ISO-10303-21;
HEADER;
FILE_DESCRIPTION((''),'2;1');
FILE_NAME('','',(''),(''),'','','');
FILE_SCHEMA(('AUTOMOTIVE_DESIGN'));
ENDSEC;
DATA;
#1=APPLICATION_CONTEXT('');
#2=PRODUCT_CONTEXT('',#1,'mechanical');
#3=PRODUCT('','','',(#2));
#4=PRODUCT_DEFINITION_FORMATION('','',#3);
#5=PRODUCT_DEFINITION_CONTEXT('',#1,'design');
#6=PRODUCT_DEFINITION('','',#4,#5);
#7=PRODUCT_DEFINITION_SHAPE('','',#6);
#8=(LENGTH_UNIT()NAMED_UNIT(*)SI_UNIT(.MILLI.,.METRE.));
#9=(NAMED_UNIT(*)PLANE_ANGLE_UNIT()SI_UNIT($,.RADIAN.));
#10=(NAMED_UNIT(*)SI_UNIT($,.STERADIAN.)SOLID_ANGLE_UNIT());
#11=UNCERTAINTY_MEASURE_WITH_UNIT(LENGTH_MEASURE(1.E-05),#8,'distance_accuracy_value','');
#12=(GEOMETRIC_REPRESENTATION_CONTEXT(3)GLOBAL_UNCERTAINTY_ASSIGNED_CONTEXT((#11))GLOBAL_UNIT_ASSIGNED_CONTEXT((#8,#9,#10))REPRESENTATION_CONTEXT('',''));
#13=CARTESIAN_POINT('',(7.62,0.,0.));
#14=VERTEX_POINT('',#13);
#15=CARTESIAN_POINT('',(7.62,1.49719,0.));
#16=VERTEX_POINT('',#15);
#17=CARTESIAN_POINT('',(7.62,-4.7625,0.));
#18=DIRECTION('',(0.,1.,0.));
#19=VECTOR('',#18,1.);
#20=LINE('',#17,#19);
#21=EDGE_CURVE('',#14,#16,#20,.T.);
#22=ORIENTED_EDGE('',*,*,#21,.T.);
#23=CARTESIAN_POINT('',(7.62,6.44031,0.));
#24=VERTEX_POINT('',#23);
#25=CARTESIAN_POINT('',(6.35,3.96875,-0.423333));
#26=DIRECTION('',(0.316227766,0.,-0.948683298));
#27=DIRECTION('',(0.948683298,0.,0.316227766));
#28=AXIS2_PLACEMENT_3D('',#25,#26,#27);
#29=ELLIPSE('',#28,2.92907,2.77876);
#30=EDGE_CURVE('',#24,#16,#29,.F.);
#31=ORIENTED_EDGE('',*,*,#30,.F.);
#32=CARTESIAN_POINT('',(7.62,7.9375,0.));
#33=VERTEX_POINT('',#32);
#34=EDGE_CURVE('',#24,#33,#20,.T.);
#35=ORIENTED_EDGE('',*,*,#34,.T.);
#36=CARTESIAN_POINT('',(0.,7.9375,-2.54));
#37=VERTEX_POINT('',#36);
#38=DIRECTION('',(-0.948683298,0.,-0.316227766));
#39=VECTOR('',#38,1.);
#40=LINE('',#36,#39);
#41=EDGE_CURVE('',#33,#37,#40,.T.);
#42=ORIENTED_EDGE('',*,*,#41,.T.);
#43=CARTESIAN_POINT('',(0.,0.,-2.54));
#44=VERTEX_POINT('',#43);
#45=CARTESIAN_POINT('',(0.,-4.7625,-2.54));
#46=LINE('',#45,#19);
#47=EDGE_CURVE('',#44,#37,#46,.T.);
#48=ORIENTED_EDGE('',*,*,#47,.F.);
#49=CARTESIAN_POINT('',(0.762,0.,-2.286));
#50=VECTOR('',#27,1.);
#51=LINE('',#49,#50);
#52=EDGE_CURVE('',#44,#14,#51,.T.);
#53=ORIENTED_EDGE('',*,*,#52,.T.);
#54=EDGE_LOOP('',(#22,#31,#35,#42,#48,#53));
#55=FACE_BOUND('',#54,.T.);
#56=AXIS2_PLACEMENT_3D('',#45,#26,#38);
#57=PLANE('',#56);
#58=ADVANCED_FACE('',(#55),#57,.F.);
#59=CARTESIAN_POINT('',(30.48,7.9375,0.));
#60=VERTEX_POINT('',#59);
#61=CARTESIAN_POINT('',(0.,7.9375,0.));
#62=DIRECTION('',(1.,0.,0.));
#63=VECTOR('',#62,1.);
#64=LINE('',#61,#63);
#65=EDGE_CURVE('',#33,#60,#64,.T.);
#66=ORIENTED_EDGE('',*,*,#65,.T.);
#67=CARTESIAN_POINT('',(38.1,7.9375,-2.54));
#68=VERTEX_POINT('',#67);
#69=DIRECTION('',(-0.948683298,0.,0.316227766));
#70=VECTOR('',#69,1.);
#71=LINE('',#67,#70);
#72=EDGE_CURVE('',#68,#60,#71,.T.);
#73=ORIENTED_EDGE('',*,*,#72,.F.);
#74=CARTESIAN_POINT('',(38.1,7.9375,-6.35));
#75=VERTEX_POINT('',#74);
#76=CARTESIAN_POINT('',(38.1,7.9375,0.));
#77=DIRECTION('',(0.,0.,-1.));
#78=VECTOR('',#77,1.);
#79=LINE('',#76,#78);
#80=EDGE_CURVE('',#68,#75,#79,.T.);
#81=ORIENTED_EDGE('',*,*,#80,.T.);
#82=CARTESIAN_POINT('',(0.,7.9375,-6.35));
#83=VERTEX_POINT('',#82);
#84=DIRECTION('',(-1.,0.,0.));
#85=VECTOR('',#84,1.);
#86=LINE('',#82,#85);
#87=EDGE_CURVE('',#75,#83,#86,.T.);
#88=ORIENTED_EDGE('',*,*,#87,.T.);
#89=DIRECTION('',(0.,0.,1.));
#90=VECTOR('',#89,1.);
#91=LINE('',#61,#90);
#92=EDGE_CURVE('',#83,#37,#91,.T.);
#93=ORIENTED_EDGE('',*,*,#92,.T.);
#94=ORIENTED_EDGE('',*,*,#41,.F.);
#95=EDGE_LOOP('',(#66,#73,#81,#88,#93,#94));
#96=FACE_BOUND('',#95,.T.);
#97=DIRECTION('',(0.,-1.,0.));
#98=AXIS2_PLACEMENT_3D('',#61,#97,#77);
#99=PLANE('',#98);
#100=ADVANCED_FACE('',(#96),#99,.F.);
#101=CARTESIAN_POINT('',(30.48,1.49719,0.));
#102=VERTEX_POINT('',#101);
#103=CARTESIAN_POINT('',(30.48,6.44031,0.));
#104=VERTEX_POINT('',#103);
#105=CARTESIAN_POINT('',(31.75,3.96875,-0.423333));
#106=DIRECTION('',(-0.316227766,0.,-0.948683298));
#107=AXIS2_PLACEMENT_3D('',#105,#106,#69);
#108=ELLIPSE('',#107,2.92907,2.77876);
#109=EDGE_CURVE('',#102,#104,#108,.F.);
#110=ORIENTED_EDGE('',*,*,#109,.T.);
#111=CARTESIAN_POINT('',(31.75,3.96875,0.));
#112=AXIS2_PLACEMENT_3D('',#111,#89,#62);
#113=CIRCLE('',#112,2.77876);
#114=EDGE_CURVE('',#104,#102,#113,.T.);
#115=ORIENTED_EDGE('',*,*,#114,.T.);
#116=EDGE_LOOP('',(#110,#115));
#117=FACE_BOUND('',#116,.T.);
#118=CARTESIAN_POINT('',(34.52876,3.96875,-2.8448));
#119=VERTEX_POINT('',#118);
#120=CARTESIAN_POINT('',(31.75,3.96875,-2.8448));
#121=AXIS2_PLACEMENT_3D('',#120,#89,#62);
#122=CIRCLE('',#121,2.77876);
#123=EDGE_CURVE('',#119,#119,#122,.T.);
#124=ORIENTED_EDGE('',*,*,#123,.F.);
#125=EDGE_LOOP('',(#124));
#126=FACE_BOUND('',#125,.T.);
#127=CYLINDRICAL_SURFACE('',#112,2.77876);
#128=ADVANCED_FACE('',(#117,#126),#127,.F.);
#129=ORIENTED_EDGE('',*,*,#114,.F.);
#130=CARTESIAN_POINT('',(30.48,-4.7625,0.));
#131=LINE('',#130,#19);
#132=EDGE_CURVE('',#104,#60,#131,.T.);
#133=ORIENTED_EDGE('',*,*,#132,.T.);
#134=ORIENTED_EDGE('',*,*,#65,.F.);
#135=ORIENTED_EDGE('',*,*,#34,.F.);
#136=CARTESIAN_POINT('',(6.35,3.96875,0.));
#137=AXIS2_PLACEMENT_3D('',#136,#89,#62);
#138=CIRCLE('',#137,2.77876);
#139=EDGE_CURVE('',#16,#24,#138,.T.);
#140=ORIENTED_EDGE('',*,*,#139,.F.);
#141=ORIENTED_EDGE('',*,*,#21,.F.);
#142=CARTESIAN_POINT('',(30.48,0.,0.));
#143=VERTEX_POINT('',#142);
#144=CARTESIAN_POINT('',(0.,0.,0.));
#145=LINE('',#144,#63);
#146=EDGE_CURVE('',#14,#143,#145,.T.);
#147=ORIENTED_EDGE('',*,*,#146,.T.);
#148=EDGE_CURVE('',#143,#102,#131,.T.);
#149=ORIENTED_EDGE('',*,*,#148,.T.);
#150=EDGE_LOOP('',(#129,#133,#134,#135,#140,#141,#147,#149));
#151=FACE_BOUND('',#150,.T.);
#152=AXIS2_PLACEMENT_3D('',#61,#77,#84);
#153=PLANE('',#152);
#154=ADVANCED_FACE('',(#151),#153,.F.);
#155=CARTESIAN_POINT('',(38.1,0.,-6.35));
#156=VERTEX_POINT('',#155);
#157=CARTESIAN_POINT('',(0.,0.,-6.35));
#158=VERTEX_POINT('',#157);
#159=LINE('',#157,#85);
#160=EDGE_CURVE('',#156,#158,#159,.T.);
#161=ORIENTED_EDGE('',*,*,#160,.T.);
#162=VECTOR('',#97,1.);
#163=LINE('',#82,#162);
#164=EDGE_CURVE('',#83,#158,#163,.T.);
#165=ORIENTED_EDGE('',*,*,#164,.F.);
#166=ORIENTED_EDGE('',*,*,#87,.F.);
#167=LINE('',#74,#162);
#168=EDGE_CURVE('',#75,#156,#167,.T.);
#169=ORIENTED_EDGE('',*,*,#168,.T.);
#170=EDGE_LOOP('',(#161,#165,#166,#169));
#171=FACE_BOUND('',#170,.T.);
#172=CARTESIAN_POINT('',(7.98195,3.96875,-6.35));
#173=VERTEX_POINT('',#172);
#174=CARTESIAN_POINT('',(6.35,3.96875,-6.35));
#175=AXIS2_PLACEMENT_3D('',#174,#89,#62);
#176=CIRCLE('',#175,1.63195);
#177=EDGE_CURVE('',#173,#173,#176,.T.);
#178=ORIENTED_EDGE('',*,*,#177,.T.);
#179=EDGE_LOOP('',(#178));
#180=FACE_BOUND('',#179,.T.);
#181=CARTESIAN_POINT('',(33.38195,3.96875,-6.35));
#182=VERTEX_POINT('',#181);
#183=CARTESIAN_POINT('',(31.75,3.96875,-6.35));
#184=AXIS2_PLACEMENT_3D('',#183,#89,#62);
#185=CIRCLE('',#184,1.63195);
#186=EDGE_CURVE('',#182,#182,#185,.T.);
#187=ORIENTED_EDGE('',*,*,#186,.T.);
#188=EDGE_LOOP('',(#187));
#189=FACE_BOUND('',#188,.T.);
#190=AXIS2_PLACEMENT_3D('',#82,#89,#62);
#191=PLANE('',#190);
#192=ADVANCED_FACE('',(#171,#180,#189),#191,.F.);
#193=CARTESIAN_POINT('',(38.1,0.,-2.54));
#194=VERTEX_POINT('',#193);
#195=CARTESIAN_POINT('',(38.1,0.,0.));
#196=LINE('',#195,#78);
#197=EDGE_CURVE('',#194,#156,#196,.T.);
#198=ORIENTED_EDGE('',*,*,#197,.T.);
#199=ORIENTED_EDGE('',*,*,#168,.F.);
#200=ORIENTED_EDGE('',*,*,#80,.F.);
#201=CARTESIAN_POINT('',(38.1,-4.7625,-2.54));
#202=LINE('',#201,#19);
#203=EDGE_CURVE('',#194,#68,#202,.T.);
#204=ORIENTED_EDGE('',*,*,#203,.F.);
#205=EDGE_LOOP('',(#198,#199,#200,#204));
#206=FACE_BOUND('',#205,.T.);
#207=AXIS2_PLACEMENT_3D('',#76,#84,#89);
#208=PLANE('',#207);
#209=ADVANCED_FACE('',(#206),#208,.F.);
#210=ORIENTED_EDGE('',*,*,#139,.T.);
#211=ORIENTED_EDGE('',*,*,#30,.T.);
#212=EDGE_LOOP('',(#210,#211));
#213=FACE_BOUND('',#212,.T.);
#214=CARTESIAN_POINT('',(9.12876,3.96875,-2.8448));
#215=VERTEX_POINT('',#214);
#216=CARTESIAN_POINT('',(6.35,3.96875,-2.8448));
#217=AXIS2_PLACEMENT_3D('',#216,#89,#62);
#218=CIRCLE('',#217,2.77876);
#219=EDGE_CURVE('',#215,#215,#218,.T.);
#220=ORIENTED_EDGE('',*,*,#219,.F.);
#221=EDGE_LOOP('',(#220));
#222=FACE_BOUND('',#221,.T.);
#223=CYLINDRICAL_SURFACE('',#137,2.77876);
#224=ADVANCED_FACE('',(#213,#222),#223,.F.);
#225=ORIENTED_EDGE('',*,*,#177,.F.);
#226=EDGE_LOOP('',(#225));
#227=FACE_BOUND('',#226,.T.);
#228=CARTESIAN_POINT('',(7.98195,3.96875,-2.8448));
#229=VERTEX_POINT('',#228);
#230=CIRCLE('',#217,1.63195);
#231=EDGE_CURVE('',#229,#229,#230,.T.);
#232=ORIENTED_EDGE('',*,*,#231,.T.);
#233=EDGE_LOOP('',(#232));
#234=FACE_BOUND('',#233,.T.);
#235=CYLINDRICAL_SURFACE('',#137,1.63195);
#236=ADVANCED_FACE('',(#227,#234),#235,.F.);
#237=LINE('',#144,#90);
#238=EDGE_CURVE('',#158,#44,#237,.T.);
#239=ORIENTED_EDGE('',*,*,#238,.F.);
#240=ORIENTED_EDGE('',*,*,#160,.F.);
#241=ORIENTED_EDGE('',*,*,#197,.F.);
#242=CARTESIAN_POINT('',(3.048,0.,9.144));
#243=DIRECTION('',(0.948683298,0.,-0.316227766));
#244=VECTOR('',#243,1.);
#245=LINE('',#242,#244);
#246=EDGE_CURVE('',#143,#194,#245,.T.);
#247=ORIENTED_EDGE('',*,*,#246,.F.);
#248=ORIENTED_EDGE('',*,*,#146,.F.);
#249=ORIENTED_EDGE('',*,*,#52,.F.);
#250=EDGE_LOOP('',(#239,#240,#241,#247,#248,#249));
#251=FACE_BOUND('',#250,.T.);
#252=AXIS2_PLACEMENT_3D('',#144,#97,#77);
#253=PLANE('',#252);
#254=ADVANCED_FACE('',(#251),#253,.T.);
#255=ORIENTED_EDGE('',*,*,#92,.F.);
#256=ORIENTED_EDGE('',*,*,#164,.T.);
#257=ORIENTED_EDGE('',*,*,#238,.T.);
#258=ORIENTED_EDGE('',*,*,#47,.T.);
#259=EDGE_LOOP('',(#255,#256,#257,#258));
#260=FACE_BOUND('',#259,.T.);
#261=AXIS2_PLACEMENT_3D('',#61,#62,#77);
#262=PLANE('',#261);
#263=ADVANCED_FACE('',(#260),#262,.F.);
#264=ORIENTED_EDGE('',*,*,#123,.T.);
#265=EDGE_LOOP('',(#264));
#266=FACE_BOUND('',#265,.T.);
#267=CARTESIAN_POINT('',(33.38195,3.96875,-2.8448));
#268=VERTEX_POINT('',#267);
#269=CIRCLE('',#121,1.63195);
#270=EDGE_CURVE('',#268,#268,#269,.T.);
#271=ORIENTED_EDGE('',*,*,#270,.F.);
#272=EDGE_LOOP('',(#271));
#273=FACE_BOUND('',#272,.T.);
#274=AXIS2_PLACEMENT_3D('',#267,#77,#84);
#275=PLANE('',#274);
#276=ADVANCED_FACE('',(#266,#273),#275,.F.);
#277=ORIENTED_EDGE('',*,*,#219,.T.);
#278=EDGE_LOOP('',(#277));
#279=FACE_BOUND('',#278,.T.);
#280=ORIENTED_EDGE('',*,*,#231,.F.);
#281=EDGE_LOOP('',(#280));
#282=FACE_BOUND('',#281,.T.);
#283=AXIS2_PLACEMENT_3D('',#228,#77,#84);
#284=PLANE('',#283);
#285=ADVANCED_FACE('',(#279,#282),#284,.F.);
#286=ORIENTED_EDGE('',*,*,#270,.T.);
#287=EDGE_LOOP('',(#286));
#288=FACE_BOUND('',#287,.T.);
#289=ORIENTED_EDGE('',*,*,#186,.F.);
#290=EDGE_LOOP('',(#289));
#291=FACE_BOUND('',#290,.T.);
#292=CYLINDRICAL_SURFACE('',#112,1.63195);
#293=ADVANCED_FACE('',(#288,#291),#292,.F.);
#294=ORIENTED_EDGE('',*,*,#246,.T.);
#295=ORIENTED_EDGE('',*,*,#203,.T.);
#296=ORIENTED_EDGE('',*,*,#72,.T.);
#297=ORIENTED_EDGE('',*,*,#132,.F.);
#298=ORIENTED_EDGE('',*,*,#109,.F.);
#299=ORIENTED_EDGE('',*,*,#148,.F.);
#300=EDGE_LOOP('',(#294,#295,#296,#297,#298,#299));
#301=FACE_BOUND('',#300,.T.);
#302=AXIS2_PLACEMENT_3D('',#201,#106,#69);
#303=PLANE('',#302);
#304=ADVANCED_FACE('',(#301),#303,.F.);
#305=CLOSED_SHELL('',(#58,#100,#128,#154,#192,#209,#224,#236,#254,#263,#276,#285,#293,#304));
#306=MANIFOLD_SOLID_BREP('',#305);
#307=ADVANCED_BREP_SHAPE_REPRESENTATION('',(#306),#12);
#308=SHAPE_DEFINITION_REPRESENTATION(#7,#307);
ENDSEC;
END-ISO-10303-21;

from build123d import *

# Parameters (mm, degrees)
SKETCH2_W                                      = 38.1
SKETCH2_H                                      = 6.35
BOSS_EXTRUDE2_DEPTH                            = 7.9375
CBORE_FOR_4_SOCKET_HEAD_CAP_SCREW1_D           = 3.2639
CBORE_FOR_4_SOCKET_HEAD_CAP_SCREW1_CBORE_D     = 5.55752
CBORE_FOR_4_SOCKET_HEAD_CAP_SCREW1_CBORE_DEPTH = 2.8448
CUT_EXTRUDE1_DEPTH                             = 12.7


with BuildPart() as part:
    # Sketch2 → Boss-Extrude2 (new body)
    with BuildSketch(Plane(origin=(0, 0, 0), x_dir=(1, 0, 0), z_dir=(0, 1, 0))):
        with Locations((19.05, 3.175)):
            Rectangle(SKETCH2_W, SKETCH2_H)
    extrude(amount=BOSS_EXTRUDE2_DEPTH)

    # CBORE for #4 Socket Head Cap Screw1 (through all)
    with Locations(Plane(origin=(6.35, 3.96875, 0), x_dir=(1, 0, 0), z_dir=(0, 0, 1))):
        with Locations((0, 0), (25.4, 0)):
            CounterBoreHole(CBORE_FOR_4_SOCKET_HEAD_CAP_SCREW1_D / 2, CBORE_FOR_4_SOCKET_HEAD_CAP_SCREW1_CBORE_D / 2, CBORE_FOR_4_SOCKET_HEAD_CAP_SCREW1_CBORE_DEPTH)

    # Sketch4 → Cut-Extrude1 (cut)
    with BuildSketch(Plane(origin=(0, 7.9375, 0), x_dir=(1, 0, 0), z_dir=(0, 1, 0))):
        Polygon((0, 0), (0, 2.54), (7.62, 0), align=None)
        Polygon((38.1, 2.54), (30.48, 0), (38.1, 0), align=None)
    extrude(amount=-CUT_EXTRUDE1_DEPTH, mode=Mode.SUBTRACT)


solid = part.part
